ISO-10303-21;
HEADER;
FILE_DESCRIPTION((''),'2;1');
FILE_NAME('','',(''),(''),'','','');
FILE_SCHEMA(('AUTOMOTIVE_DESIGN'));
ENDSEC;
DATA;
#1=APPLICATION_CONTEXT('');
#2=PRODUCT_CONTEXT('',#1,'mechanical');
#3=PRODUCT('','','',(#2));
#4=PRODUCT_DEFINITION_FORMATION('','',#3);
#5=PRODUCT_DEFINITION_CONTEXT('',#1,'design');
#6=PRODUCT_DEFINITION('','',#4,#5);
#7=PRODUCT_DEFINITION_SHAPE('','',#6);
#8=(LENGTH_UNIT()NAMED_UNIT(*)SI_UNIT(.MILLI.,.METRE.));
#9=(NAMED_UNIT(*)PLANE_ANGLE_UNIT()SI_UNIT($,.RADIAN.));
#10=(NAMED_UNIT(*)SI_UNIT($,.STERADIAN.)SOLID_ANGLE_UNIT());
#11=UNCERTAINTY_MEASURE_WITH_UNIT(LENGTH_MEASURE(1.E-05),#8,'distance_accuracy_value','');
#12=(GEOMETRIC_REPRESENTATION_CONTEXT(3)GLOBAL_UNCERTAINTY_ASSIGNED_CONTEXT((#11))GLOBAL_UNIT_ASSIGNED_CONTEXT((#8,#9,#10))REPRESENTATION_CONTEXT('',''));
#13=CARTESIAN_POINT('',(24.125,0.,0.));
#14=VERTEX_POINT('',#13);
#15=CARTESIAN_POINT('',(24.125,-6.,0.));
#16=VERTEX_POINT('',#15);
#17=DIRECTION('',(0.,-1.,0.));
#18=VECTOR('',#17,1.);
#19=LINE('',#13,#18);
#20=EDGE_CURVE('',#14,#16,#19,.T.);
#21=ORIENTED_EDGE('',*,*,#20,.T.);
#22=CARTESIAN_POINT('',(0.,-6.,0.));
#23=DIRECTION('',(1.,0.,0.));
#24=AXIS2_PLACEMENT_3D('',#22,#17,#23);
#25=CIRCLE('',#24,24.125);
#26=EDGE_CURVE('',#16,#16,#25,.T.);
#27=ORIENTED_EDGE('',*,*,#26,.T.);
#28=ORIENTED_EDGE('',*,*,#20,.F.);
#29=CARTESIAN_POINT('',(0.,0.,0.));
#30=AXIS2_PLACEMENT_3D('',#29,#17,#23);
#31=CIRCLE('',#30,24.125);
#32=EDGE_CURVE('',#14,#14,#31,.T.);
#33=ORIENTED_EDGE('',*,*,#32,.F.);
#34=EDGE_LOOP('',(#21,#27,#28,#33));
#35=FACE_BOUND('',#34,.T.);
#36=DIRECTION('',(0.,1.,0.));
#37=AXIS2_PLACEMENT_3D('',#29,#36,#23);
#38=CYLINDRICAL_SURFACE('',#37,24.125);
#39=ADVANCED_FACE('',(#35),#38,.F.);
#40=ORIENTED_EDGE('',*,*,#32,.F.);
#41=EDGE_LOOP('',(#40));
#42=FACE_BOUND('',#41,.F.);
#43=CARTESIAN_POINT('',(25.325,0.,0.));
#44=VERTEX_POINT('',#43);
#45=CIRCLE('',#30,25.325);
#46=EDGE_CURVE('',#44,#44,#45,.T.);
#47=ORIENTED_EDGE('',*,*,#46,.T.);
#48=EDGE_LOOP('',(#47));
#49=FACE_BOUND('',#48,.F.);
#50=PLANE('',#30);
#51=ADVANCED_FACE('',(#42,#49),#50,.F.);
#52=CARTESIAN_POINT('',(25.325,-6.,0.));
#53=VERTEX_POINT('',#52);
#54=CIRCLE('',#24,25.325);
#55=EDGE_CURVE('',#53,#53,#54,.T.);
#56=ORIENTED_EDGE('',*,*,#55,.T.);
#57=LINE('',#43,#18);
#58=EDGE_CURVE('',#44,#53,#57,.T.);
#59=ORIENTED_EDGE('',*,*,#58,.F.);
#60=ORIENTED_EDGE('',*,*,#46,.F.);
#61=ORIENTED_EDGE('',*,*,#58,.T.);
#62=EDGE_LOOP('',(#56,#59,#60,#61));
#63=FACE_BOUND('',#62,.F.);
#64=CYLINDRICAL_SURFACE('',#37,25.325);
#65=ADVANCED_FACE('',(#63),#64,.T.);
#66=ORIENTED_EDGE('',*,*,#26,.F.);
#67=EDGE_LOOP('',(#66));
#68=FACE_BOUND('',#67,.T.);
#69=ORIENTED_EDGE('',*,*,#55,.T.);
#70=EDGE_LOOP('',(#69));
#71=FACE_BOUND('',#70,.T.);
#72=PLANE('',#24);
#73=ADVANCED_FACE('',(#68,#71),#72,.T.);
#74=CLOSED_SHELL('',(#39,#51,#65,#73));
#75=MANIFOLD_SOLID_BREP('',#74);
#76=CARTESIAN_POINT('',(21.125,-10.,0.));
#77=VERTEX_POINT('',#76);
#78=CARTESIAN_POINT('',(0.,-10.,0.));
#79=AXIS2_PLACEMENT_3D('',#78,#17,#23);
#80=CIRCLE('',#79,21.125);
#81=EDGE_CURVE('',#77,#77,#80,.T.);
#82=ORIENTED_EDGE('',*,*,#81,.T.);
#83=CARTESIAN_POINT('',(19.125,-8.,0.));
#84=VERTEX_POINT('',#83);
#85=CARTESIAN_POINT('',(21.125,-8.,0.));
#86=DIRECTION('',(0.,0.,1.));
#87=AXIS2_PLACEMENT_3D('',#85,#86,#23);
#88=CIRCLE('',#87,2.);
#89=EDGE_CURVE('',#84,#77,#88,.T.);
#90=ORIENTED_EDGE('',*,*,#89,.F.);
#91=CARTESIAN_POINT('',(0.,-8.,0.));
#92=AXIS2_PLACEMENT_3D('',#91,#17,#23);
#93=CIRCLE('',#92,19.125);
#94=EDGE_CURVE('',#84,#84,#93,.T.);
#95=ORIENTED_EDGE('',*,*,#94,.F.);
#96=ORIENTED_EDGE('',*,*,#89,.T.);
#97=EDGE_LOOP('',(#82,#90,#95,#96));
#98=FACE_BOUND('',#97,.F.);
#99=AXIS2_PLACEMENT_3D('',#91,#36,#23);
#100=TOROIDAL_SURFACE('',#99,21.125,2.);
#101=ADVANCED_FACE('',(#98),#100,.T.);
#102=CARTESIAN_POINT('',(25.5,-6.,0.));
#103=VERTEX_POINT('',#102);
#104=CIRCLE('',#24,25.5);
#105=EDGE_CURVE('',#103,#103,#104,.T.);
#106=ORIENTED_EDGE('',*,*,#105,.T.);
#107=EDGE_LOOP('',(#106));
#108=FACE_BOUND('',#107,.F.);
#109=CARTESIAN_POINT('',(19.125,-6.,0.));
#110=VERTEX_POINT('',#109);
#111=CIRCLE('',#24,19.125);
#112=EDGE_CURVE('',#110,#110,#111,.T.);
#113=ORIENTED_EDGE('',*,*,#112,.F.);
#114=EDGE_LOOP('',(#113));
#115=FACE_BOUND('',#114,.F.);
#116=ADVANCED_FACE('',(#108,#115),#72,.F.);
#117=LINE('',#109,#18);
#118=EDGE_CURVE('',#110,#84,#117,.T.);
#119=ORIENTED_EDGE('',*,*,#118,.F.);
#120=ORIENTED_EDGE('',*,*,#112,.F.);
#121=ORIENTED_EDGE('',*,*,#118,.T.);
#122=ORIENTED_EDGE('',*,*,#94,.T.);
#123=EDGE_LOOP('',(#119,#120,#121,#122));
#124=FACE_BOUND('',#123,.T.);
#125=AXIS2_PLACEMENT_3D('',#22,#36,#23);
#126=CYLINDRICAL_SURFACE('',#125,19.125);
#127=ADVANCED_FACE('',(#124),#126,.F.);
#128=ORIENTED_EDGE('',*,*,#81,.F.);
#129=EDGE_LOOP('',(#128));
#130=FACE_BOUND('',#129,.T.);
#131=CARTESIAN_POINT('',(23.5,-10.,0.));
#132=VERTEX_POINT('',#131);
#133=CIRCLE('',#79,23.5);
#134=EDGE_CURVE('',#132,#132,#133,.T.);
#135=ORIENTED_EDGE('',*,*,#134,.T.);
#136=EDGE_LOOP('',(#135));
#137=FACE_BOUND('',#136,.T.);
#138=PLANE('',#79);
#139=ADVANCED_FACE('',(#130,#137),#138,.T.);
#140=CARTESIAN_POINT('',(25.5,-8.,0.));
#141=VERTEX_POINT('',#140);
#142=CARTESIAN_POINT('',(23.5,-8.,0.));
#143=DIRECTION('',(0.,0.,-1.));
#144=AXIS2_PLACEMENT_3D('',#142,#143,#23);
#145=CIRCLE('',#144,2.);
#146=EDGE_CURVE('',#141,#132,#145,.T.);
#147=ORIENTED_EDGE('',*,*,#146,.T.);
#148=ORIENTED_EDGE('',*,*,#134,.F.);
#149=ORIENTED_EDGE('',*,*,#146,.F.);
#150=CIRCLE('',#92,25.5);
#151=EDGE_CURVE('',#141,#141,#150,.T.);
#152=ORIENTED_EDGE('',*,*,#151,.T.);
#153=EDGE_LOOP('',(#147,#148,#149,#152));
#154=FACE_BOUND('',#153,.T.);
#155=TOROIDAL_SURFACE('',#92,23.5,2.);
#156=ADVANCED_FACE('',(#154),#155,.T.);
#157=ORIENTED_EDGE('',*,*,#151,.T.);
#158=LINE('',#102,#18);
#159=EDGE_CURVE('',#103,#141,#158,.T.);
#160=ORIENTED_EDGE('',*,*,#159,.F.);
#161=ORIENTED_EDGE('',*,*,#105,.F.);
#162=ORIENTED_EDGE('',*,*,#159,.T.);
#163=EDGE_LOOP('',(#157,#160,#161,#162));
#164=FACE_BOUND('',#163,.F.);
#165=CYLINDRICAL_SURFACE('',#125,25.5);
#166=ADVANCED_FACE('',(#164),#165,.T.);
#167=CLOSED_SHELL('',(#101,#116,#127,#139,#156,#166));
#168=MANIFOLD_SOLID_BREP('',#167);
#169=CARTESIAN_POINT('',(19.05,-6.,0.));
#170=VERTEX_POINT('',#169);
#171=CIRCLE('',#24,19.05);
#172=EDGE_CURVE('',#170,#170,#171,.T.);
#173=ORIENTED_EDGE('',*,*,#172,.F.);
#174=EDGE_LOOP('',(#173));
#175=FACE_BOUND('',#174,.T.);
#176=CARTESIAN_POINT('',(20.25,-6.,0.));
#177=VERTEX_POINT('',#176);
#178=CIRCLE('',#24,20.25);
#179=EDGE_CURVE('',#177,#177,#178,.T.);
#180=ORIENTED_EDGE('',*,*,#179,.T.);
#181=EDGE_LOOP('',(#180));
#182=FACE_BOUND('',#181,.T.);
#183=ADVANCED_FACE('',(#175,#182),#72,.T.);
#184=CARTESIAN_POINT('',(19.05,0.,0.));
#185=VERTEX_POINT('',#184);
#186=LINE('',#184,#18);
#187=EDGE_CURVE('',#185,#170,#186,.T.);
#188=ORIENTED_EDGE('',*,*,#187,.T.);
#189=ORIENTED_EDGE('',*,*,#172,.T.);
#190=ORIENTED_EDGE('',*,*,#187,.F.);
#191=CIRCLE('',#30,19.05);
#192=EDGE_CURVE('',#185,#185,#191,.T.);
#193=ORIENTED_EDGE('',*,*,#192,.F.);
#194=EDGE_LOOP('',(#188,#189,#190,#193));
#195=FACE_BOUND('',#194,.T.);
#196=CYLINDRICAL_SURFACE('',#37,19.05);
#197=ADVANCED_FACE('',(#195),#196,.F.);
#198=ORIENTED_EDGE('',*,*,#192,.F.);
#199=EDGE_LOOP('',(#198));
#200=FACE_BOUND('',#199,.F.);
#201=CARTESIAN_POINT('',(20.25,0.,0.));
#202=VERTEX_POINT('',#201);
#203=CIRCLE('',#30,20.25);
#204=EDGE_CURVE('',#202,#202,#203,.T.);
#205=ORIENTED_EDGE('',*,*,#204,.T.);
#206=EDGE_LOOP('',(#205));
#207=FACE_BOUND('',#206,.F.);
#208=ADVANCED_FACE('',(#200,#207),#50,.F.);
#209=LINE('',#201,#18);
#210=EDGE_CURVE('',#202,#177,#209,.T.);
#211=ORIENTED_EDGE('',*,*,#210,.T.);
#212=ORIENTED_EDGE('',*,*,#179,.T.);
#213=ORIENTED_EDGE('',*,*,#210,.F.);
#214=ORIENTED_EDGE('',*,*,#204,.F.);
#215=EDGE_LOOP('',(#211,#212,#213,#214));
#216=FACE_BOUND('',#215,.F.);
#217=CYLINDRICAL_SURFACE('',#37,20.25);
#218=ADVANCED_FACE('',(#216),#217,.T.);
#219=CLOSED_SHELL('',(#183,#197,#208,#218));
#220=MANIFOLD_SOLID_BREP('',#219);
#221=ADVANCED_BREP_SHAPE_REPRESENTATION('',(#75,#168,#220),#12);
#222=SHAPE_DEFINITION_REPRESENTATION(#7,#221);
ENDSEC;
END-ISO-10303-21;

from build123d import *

# Parameters (mm, degrees)
F0_R     = 25.325
F0_R_2   = 24.125
F0_R_3   = 20.25
F0_R_4   = 19.05
F1_DEPTH = 6
F3_R     = 25.5
F3_R_2   = 19.125
F4_DEPTH = 4
F5_R     = 2


with BuildPart() as f1:
    # F0 (on Front) → F1 (new body)
    with BuildSketch(Plane.XZ):
        Circle(F0_R)
        Circle(F0_R_2, mode=Mode.SUBTRACT)
        Circle(F0_R_3)
        Circle(F0_R_4, mode=Mode.SUBTRACT)
    extrude(amount=F1_DEPTH)


with BuildPart() as f4:
    # F3 (on offset) → F4 (new body)
    with BuildSketch(Plane.XZ.offset(6)):
        Circle(F3_R)
        Circle(F3_R_2, mode=Mode.SUBTRACT)
    extrude(amount=F4_DEPTH)

    # F5
    f5_edges = [f4.edges().sort_by_distance(p)[0] for p in [
        (-25.5, -10, 0),
        (-19.125, -10, 0),
    ]]
    fillet(f5_edges, radius=F5_R)


solid = Compound([f1.part, f4.part])
